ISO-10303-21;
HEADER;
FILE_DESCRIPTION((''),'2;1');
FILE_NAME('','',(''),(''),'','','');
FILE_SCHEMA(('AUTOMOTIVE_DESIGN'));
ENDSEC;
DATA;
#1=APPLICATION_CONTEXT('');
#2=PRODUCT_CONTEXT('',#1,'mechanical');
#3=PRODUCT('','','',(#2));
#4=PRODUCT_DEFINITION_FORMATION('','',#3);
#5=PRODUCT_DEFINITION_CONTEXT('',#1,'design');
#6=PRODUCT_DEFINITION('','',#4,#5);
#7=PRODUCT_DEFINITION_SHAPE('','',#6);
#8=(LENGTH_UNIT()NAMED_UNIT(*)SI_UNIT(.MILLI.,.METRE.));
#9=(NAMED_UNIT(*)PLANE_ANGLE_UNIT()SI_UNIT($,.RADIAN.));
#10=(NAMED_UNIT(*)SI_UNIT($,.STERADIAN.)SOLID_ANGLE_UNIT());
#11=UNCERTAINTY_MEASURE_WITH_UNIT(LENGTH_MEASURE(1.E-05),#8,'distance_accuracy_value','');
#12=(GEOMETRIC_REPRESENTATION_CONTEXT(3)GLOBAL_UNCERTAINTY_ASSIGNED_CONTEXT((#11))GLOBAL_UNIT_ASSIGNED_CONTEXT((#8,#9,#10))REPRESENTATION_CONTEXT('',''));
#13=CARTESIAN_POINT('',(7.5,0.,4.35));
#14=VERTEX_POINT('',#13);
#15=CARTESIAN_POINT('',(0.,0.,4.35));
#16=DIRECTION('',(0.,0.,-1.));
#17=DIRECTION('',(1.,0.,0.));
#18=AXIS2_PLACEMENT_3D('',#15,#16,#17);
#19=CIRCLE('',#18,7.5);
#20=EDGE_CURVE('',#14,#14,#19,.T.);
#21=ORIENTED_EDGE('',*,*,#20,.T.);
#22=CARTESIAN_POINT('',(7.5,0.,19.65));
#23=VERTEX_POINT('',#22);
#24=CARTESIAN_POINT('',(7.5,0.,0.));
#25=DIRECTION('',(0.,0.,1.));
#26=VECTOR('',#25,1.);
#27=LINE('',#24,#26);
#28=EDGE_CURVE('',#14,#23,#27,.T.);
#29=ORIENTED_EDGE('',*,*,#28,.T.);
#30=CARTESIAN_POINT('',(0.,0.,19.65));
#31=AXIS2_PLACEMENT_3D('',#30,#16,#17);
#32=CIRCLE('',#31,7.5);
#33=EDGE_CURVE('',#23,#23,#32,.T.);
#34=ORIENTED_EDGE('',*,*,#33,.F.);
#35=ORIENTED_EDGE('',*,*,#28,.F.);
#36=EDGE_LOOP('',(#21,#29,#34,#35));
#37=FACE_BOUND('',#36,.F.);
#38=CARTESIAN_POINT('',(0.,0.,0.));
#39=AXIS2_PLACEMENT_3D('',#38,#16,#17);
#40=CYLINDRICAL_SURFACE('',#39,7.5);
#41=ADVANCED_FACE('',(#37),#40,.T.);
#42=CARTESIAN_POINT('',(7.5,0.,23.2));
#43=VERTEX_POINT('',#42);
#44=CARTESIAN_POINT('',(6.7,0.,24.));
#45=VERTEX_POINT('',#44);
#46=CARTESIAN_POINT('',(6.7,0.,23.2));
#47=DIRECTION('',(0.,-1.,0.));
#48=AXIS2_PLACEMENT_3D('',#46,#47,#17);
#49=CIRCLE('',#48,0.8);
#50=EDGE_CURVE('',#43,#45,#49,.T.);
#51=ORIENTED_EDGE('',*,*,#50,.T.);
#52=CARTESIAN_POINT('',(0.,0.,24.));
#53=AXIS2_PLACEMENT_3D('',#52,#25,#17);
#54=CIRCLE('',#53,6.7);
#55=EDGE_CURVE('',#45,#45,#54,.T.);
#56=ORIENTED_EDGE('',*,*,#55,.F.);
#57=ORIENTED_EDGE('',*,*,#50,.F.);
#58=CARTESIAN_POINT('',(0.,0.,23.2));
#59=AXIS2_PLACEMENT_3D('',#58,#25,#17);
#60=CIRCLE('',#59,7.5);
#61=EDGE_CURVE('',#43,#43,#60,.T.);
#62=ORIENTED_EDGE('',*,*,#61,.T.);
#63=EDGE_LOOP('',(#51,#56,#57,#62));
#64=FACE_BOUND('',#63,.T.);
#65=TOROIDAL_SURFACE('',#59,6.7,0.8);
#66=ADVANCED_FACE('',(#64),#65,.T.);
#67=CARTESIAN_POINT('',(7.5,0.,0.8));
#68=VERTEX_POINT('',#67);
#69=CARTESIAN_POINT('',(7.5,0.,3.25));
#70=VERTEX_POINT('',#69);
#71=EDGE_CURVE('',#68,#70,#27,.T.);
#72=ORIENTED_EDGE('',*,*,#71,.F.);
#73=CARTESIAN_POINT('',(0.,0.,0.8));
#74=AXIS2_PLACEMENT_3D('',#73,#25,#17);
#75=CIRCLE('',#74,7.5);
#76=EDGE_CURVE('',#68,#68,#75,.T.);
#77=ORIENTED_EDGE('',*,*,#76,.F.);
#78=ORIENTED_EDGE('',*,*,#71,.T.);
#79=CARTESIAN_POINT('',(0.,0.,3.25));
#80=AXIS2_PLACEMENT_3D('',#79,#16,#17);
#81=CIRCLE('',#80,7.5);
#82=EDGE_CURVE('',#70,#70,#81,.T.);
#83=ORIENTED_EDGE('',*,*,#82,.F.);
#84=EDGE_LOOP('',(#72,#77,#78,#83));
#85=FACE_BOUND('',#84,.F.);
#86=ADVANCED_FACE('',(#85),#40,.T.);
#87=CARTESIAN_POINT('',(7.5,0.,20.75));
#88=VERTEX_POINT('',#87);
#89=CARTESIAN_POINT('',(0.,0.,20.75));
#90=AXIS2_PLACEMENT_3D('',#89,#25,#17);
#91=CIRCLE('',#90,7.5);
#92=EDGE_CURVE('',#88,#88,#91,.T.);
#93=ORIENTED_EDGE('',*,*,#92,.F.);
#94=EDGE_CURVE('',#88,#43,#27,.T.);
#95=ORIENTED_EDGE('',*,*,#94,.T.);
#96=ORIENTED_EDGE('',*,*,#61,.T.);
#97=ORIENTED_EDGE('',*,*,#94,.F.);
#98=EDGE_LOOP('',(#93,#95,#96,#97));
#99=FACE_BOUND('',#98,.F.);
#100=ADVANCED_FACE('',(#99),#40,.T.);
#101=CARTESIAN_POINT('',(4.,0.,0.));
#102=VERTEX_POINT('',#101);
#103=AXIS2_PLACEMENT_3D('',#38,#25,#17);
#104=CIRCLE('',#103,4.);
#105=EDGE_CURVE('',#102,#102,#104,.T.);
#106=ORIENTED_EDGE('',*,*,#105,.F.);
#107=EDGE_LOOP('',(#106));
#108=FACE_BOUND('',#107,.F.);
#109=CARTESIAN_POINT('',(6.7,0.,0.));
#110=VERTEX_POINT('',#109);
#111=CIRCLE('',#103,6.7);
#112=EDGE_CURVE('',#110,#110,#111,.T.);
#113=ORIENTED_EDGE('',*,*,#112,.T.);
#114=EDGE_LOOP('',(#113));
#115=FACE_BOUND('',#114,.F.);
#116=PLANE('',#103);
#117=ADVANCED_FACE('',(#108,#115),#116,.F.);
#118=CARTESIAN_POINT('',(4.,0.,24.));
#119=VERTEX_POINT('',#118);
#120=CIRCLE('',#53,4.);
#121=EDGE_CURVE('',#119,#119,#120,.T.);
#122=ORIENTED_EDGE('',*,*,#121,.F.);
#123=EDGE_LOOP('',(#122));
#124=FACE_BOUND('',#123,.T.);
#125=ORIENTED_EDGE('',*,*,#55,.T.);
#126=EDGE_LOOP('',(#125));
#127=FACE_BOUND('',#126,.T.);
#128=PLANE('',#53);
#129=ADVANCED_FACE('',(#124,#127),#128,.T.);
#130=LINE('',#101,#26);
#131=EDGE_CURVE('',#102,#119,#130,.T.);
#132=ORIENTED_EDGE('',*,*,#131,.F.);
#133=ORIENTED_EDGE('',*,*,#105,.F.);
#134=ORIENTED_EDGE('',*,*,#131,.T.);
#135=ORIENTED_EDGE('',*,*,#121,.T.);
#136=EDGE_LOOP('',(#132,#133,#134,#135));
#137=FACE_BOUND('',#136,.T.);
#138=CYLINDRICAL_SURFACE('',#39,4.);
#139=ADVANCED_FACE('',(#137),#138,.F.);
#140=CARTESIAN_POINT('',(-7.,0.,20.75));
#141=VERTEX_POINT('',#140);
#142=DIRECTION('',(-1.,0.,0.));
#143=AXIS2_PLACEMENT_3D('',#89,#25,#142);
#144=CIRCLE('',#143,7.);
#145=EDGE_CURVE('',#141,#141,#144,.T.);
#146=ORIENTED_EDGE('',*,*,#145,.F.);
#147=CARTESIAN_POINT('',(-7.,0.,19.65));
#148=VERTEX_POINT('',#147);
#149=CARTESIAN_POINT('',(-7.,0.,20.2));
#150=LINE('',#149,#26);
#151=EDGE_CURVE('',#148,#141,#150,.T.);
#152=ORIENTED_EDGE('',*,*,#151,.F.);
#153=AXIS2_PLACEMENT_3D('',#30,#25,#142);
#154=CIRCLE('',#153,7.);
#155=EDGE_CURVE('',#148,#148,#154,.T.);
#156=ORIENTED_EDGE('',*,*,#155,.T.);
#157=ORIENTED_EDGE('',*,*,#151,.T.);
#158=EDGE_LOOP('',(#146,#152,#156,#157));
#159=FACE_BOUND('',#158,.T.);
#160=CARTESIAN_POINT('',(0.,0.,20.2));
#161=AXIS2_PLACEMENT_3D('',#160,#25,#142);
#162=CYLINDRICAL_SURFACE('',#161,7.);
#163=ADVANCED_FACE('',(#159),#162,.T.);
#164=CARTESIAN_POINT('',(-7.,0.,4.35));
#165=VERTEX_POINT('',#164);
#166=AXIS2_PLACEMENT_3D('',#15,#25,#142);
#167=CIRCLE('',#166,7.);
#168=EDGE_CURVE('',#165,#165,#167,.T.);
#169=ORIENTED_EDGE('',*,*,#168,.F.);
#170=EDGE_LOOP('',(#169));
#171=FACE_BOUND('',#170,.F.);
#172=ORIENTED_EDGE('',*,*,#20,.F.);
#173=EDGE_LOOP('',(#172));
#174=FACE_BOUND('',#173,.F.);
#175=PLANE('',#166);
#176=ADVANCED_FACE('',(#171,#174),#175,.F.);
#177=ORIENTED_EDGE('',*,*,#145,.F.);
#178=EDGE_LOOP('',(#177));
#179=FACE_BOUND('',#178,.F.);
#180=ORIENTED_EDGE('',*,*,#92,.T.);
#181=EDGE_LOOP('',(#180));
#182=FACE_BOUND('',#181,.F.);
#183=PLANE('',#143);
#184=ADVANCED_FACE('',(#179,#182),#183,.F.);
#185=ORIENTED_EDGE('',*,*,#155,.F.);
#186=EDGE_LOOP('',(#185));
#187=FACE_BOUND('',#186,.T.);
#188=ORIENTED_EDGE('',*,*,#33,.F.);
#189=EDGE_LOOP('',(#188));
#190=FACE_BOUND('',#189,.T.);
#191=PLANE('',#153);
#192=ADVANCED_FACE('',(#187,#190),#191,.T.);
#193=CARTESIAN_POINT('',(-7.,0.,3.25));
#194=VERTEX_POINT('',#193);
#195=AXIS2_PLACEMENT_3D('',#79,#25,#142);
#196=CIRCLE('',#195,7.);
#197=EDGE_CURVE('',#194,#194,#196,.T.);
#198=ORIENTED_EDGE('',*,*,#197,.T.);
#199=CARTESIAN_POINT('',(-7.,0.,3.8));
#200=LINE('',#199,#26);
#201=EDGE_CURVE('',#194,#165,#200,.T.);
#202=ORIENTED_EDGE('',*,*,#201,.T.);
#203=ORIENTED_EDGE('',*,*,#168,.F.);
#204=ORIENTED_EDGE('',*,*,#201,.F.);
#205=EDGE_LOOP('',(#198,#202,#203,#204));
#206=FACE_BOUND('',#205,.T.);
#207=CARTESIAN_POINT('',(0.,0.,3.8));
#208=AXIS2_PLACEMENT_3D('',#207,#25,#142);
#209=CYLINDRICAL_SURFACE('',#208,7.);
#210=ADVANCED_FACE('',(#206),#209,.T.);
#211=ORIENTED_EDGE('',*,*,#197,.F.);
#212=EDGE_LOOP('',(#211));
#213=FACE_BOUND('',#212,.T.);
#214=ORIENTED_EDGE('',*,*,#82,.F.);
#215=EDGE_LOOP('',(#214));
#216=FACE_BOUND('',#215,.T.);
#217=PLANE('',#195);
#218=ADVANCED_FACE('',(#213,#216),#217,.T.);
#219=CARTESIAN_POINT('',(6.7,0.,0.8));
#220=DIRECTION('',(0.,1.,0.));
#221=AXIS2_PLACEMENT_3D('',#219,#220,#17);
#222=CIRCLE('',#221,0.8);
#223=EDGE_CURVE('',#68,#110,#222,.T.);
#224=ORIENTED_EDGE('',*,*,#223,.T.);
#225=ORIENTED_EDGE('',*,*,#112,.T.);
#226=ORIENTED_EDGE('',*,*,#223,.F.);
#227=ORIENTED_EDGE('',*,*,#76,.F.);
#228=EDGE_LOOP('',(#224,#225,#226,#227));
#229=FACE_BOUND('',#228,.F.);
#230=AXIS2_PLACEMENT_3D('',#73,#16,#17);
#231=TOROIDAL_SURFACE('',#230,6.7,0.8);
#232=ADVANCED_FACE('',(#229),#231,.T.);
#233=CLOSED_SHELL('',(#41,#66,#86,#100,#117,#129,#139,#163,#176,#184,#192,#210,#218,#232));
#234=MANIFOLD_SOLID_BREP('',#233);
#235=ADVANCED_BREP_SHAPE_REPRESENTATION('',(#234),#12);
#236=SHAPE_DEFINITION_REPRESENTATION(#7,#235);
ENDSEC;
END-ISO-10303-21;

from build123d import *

# Parameters (mm, degrees)
F0_R     = 7.5
F0_R_2   = 4
F1_DEPTH = 24
F2_W     = 0.5
F2_H     = 1.1
F4_R     = 0.8


with BuildPart() as f1:
    # F0 (on Top) → F1 (new body)
    with BuildSketch(Plane.XY):
        Circle(F0_R)
        Circle(F0_R_2, mode=Mode.SUBTRACT)
    extrude(amount=F1_DEPTH)

    # F2 (on Front) → F3 (revolve, cut)
    with BuildSketch(Plane.XZ):
        with Locations((-7.25, 20.2)):
            Rectangle(F2_W, F2_H)
        with Locations((-7.25, 3.8)):
            Rectangle(F2_W, F2_H)
    revolve(axis=Axis((0, 0, 12), (0, 0, 1)), mode=Mode.SUBTRACT)

    # F4
    f4_edges = [f1.edges().sort_by_distance(p)[0] for p in [
        (-7.5, 0, 24),
        (-7.5, 0, 0),
    ]]
    fillet(f4_edges, radius=F4_R)


solid = f1.part
